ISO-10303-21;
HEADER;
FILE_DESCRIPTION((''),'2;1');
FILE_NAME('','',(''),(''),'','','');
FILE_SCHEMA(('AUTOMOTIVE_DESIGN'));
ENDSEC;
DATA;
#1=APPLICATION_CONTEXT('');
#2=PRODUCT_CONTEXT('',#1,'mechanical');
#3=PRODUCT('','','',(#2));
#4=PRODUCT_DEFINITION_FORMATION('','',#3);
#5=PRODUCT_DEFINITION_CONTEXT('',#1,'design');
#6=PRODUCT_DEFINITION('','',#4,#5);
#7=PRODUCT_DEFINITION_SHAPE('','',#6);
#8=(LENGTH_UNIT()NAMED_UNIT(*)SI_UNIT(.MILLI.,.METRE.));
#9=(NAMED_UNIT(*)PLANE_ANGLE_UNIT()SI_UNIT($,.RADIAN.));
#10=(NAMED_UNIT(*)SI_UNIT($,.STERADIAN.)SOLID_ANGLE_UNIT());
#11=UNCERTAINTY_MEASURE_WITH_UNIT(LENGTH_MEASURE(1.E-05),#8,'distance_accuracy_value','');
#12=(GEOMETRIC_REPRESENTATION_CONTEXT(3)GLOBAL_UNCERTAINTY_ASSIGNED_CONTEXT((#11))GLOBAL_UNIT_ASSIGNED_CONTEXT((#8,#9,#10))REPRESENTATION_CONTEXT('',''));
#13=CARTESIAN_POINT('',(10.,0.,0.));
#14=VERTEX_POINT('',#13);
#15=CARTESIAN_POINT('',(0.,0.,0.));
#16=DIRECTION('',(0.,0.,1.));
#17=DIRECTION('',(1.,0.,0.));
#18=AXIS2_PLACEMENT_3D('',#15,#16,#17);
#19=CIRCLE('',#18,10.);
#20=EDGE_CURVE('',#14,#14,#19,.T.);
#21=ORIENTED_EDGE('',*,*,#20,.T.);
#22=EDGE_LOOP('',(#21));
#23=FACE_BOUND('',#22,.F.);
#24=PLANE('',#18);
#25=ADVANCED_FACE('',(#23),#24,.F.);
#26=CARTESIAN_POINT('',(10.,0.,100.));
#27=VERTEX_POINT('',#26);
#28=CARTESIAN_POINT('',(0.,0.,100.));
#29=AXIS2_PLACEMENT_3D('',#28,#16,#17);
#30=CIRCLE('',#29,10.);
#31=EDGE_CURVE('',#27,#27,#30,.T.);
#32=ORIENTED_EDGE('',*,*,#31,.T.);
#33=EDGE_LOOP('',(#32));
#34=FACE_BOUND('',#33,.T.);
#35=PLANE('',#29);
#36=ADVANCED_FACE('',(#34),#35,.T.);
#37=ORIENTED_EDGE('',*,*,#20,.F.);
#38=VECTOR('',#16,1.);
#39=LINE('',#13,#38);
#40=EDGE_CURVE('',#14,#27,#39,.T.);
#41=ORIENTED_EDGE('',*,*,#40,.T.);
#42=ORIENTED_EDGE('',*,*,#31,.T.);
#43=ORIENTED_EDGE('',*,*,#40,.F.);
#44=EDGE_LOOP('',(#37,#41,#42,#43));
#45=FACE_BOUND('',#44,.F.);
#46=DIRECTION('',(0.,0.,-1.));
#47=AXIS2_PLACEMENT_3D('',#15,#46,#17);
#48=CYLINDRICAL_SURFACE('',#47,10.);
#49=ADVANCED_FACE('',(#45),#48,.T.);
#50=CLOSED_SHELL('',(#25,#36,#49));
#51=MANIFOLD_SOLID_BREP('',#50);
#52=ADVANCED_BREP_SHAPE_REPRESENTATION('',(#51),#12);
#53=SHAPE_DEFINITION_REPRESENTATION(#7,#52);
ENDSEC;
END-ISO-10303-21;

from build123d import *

# Parameters (mm, degrees)
SKETCH1_R           = 10
BOSS_EXTRUDE1_DEPTH = 100


with BuildPart() as part:
    # Sketch1 → Boss-Extrude1 (new body)
    with BuildSketch(Plane.XY):
        Circle(SKETCH1_R)
    extrude(amount=BOSS_EXTRUDE1_DEPTH)


solid = part.part
